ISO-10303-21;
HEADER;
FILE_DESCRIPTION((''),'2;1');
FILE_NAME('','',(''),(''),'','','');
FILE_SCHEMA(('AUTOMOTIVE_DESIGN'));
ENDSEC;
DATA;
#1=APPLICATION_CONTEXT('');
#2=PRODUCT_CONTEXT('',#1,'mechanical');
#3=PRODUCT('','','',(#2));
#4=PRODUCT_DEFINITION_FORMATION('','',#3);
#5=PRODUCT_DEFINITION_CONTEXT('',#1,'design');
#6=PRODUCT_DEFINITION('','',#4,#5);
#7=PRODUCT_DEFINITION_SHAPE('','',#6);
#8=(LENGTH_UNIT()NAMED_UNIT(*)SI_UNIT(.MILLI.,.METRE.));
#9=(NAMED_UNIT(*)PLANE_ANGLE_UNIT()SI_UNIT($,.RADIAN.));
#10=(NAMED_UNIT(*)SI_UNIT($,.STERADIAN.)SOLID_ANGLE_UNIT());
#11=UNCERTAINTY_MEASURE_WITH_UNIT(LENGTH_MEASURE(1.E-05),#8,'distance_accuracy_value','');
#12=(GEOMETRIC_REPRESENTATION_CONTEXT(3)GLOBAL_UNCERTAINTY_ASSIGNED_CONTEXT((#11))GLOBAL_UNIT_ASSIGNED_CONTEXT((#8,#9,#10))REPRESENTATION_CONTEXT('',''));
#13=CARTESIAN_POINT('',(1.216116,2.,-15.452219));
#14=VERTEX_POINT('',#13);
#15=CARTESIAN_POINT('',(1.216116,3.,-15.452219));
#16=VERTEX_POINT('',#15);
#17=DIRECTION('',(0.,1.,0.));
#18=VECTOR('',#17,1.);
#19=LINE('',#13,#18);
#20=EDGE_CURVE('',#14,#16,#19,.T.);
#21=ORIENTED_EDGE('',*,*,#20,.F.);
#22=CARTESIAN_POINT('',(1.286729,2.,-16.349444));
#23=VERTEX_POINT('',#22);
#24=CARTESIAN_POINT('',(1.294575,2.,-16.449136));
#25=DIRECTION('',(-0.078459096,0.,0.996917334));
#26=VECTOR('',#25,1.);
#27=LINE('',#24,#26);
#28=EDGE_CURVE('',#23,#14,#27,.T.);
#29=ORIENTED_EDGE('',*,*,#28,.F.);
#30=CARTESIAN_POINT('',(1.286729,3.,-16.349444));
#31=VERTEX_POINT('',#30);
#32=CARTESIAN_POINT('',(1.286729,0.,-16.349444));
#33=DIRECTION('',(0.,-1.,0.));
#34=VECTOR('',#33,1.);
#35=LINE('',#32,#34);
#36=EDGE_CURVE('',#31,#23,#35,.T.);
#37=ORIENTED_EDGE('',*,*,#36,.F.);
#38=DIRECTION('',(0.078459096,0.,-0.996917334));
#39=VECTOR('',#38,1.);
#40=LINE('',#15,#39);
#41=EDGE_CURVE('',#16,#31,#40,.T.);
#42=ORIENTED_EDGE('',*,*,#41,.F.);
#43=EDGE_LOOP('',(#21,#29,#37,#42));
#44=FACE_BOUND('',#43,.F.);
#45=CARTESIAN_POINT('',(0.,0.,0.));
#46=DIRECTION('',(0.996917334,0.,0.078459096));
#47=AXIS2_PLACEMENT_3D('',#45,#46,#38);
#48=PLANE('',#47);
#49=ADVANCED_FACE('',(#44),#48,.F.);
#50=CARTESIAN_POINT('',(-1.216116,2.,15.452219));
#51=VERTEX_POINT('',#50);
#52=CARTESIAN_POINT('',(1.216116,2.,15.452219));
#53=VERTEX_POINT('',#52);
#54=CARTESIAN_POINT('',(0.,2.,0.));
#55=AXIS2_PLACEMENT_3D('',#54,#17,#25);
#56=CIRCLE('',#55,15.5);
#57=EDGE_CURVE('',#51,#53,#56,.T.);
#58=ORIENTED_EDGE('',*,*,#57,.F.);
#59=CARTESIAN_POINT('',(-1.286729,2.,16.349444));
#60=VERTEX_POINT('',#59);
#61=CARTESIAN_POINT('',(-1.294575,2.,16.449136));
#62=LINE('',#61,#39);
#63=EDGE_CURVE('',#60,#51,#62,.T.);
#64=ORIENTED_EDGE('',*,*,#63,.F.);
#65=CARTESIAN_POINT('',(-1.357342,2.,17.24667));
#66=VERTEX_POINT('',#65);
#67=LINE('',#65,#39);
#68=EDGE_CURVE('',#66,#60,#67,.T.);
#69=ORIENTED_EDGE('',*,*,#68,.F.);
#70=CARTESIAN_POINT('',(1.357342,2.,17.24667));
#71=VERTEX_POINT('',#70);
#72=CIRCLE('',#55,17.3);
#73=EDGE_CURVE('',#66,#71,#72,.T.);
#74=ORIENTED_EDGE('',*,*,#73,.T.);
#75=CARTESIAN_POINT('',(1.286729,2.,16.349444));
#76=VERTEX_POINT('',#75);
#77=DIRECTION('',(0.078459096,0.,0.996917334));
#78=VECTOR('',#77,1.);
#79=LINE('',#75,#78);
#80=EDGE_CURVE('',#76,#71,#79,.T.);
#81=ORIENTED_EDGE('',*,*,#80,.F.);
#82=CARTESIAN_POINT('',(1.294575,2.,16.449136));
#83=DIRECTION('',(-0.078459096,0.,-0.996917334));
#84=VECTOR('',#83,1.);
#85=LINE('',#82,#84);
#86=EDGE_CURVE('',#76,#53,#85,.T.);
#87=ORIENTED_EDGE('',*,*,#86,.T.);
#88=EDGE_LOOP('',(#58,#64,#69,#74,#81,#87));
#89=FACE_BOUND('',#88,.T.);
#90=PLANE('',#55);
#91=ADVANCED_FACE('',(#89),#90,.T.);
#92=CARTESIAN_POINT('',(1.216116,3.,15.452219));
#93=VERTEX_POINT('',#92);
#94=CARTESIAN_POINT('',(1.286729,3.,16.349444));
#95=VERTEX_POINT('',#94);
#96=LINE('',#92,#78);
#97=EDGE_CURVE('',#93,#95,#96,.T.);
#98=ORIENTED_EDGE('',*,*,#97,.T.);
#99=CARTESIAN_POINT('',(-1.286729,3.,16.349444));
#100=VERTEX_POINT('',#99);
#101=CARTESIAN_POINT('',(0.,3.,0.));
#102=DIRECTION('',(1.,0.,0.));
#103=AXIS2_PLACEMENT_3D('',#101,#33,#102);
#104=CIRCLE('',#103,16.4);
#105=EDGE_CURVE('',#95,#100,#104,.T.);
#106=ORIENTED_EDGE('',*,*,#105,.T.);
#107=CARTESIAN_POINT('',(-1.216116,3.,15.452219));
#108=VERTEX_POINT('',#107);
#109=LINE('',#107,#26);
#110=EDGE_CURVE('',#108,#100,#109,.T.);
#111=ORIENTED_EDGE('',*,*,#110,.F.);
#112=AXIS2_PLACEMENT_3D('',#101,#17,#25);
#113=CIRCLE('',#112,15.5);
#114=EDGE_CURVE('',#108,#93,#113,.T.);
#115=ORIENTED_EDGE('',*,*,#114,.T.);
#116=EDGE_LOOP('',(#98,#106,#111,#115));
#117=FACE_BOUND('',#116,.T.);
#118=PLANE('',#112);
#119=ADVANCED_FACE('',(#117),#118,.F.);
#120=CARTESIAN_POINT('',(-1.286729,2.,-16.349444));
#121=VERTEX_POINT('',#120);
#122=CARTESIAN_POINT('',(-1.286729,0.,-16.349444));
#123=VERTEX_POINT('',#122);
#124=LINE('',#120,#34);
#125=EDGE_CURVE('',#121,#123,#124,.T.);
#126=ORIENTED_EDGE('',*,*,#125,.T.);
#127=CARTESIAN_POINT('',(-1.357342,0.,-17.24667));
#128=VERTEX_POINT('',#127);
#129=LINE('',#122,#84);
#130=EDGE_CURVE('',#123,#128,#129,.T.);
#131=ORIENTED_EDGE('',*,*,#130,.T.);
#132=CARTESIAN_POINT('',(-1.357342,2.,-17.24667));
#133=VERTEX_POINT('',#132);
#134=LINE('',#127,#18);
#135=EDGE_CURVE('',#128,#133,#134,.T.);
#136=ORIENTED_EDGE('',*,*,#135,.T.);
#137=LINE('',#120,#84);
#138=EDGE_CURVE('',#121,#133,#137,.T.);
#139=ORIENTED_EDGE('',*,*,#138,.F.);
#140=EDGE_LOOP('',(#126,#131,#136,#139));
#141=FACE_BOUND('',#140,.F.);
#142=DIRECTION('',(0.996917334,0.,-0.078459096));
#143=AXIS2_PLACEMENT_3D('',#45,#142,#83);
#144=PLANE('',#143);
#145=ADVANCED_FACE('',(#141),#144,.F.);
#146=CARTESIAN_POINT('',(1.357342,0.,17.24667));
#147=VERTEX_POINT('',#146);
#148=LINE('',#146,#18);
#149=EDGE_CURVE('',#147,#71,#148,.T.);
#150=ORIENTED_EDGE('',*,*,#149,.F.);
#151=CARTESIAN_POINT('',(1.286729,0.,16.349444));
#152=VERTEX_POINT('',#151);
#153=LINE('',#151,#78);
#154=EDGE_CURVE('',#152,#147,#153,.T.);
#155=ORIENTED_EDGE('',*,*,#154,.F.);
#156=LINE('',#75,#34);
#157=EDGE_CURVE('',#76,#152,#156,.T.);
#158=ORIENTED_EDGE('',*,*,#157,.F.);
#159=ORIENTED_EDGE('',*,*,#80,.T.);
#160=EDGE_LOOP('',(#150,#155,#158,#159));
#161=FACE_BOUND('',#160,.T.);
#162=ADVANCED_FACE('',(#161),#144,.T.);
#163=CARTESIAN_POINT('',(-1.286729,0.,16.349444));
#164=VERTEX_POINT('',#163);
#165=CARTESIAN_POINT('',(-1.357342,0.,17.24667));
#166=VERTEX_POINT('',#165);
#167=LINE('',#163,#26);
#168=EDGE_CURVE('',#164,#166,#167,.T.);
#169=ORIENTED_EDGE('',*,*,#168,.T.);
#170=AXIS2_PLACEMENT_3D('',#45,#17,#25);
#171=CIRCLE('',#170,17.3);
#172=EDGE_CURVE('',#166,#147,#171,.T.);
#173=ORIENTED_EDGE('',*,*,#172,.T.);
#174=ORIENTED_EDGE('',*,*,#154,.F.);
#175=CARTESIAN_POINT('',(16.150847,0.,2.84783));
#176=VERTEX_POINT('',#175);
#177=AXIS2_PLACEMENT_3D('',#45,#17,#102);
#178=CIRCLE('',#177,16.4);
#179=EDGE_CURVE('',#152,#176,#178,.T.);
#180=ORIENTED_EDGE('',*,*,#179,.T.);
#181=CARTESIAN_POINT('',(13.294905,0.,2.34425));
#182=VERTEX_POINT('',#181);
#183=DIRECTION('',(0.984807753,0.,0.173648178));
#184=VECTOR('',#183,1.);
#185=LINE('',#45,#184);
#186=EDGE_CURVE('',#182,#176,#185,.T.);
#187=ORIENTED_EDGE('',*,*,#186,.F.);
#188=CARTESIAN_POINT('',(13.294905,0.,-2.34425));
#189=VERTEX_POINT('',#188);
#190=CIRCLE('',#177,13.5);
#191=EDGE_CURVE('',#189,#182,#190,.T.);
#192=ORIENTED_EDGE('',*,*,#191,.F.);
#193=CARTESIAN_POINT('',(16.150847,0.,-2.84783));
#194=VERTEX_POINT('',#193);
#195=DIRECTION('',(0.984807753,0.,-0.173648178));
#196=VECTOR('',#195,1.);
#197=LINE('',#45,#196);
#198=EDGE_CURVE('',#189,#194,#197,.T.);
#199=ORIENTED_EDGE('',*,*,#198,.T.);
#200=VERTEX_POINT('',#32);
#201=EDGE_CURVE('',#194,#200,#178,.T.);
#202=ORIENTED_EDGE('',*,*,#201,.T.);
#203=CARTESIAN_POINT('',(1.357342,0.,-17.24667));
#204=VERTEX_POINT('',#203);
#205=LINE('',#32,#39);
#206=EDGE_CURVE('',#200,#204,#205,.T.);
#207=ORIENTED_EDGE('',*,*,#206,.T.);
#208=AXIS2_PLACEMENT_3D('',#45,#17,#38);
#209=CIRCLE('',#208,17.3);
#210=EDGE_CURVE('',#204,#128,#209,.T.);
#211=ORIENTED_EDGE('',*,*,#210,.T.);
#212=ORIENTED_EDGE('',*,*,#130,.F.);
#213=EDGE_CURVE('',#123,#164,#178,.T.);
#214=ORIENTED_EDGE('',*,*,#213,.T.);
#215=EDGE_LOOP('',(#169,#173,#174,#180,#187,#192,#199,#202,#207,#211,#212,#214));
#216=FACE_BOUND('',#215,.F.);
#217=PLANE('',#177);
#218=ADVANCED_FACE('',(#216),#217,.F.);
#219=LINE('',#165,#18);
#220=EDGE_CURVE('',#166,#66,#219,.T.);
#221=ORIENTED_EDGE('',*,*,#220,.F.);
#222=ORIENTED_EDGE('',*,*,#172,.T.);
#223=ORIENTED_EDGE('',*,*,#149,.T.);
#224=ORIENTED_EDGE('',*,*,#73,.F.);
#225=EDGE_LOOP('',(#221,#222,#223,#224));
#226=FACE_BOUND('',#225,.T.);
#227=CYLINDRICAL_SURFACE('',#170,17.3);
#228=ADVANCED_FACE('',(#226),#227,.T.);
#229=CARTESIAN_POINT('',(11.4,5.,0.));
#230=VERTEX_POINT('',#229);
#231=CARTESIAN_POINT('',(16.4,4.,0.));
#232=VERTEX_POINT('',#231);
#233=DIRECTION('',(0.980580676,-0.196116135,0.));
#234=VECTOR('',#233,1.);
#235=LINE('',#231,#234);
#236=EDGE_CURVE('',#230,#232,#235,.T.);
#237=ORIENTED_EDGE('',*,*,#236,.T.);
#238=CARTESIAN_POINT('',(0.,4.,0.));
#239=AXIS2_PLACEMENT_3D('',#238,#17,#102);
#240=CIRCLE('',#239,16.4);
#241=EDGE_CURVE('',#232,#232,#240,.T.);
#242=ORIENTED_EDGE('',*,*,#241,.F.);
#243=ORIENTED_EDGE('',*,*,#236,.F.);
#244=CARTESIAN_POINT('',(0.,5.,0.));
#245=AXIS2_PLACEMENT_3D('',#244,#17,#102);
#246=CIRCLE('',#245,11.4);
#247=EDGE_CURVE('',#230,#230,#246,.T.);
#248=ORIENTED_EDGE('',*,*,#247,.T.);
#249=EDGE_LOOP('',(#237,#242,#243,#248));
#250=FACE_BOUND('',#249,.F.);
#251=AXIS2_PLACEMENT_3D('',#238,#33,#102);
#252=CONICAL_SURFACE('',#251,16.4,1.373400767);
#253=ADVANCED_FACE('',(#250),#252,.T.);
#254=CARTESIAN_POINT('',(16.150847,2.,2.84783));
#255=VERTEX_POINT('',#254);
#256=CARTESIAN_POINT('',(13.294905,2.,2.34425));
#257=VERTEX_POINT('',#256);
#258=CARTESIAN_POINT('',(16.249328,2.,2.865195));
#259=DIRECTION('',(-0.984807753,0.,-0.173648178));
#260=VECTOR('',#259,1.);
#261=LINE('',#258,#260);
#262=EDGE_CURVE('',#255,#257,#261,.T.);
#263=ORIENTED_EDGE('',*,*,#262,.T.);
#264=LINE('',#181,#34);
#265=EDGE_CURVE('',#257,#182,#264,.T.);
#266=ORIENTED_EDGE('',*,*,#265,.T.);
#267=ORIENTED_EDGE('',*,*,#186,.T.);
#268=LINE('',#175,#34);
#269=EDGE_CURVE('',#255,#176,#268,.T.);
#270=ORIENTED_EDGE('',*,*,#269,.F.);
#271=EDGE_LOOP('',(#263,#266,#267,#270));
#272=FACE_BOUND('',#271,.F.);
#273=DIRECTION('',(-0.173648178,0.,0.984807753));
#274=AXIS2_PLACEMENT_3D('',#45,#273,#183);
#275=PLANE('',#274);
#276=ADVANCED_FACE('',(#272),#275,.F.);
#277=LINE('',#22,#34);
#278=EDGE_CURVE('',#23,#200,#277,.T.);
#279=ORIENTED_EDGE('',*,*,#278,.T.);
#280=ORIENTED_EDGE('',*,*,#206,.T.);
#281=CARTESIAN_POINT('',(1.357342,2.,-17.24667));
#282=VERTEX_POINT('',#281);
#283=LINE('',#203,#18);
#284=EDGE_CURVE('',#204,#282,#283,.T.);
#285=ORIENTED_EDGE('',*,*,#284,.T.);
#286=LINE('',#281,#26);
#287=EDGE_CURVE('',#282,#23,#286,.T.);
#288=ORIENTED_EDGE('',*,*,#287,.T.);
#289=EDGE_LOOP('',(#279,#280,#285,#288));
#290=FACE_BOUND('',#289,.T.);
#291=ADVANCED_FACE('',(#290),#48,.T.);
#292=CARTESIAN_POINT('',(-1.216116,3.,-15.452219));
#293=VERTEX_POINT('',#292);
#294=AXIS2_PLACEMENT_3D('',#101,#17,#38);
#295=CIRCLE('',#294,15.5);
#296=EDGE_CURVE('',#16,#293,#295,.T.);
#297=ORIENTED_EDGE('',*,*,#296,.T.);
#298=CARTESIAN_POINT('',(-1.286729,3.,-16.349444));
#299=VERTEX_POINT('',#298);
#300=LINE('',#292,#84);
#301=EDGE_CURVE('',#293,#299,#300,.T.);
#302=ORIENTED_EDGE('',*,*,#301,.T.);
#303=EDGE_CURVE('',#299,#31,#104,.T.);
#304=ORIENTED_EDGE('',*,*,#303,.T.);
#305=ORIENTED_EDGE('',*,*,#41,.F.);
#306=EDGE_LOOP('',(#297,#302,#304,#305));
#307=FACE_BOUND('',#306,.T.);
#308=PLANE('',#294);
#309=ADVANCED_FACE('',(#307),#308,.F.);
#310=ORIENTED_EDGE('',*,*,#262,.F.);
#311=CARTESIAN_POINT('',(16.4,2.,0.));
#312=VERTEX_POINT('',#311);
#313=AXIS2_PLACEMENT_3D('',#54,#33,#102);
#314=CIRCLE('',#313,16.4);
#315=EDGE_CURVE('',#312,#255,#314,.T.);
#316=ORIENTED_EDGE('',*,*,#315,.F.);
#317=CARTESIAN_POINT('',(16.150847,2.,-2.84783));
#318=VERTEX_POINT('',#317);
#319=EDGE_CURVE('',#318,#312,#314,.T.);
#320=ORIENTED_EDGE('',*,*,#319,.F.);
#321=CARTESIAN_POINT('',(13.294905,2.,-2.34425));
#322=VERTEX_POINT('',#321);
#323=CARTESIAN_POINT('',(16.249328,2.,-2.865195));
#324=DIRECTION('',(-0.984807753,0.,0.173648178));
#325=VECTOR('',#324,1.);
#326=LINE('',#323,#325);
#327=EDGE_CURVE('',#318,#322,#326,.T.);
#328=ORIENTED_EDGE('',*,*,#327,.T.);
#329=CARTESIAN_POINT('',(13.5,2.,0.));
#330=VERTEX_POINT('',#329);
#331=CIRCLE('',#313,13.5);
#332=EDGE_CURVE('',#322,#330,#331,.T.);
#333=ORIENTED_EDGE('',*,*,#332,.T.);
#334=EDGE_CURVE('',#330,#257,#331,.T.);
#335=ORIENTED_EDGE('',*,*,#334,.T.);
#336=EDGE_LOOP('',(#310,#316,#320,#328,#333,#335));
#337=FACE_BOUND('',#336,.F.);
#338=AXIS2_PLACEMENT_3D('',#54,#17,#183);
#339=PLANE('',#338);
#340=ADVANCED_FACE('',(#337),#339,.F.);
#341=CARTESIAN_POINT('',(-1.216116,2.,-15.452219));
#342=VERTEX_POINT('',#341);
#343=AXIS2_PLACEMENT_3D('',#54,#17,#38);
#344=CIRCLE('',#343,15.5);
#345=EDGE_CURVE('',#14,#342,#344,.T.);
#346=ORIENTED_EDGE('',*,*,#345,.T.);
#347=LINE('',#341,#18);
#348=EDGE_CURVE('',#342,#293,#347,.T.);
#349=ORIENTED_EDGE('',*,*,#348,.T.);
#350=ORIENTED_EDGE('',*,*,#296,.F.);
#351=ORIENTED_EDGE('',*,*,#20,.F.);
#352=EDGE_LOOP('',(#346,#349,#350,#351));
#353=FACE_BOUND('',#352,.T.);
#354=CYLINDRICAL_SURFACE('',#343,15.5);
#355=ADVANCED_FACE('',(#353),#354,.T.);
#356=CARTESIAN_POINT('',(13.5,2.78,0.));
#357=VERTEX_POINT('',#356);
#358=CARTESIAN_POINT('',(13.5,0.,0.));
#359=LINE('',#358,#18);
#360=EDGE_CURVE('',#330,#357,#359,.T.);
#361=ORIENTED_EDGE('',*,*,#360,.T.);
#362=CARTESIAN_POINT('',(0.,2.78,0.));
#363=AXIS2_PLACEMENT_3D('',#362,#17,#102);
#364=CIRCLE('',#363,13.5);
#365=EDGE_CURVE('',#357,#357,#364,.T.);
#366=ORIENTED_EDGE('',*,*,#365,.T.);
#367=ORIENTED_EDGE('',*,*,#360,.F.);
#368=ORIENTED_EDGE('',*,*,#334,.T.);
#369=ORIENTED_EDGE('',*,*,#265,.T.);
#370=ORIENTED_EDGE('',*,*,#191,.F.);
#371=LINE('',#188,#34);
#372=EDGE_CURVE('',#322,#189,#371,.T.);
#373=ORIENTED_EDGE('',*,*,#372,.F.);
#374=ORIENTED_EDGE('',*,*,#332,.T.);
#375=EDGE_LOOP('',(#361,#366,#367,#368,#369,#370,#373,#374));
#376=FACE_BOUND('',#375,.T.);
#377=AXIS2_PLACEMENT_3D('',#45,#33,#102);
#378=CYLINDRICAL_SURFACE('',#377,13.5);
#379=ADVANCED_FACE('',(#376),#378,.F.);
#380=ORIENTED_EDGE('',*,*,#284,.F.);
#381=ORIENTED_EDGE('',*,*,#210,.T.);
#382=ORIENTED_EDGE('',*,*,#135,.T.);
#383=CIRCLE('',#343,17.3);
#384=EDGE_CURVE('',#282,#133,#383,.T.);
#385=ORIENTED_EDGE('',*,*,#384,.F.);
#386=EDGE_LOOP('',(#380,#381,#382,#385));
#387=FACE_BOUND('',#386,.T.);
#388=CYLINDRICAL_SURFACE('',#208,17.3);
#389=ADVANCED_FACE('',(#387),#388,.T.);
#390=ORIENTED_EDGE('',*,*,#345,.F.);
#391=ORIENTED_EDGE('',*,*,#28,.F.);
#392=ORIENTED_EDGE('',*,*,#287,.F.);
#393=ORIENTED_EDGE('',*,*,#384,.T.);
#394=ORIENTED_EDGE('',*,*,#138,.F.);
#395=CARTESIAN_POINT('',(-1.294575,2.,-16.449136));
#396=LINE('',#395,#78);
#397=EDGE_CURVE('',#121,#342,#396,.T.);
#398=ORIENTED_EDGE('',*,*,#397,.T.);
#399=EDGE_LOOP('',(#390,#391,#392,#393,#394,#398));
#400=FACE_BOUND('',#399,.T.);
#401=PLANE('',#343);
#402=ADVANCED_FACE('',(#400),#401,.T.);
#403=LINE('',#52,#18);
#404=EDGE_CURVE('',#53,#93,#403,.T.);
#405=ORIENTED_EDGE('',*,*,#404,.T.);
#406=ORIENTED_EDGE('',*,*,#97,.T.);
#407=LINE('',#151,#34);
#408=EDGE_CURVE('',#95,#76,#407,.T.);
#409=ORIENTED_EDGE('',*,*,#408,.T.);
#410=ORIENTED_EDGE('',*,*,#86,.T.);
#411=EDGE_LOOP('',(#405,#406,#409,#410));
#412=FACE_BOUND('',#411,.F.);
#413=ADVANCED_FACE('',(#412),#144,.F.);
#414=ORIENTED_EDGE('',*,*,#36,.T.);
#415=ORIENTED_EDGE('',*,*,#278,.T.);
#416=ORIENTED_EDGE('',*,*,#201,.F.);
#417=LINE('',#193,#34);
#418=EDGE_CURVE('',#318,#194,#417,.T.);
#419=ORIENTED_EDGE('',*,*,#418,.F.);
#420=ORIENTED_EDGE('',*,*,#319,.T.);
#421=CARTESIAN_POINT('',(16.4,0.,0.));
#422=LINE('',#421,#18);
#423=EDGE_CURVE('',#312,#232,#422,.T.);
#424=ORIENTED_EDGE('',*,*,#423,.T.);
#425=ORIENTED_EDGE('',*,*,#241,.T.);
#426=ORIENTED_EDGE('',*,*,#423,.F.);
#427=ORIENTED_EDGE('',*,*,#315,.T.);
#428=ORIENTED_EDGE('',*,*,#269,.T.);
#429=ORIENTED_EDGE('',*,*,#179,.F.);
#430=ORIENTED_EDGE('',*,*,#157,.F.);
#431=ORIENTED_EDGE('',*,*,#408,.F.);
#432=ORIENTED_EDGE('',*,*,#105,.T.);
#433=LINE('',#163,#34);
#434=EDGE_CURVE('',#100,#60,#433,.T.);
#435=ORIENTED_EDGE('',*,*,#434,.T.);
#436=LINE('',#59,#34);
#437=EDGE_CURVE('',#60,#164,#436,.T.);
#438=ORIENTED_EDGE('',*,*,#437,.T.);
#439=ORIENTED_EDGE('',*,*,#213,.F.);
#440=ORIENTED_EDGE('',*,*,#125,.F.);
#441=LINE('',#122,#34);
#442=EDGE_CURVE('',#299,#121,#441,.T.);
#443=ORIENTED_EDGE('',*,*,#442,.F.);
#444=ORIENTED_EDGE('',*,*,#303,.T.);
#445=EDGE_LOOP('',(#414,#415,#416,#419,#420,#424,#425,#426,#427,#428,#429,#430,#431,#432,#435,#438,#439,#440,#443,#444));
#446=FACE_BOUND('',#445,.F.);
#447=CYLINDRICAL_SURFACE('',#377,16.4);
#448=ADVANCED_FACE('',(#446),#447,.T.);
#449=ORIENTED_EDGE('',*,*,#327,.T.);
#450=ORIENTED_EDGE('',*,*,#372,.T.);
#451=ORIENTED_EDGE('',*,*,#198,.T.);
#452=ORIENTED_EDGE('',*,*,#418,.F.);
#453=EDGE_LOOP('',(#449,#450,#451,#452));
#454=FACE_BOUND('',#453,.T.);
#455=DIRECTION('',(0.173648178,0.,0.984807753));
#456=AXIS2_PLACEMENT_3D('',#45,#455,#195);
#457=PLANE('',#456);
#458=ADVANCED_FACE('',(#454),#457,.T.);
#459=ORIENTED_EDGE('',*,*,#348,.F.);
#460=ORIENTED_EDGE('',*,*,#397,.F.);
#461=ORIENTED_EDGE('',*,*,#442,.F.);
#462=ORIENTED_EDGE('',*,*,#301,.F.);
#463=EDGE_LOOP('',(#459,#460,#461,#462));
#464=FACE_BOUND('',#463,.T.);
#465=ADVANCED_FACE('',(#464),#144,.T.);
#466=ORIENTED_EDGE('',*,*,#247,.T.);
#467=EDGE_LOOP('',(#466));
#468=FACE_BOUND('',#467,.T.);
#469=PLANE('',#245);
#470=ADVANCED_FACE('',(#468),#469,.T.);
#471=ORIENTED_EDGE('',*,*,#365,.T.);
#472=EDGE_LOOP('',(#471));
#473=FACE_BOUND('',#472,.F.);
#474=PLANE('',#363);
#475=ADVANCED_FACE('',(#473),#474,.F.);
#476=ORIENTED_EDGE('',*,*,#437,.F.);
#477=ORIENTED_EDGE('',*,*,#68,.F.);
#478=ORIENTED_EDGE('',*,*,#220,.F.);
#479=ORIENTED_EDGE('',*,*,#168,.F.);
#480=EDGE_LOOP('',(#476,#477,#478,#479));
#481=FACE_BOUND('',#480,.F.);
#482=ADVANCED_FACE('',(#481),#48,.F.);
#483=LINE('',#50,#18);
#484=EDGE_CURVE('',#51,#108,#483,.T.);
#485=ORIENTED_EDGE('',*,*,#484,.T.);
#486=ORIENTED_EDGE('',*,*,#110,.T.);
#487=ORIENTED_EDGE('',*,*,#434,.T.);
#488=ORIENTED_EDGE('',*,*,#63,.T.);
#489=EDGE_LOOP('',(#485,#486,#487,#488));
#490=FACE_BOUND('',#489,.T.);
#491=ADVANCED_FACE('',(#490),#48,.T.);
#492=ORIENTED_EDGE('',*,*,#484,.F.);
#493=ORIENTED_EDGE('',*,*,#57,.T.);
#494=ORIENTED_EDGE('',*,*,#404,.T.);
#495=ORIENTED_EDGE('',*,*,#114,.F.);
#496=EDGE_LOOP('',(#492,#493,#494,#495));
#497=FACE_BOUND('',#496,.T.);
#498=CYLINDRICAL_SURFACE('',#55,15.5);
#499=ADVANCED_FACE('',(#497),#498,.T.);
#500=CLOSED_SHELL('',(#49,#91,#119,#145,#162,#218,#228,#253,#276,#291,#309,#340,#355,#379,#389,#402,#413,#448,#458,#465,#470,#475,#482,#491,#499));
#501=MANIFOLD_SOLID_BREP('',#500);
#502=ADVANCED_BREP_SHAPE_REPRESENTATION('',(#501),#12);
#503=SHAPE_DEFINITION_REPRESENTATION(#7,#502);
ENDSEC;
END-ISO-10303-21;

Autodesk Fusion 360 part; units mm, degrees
sketch "Sketch1" plane through (0, 0, 0) normal (0, 1, 0) x (1, 0, 0)
  circle A0 centre (0, 0) radius 16.4
  dimension "d1" = 32.8
extrude "Extrude1" add sketch "Sketch1" along normal blind 5
chamfer "Chamfer1" distance 5 distance2 1 1 edges at (-15.2902, 5, 5.9305) measured on face at (3.2266, 5, -3.4774)
sketch "Sketch2" plane through (0, 0, 0) normal (1, 0, 0) x (0, 0, -1)
  line L0 (16.4, 0) -> (17.3, 0)
  line L1 (17.3, 0) -> (17.3, 2)
  line L2 (17.3, 2) -> (16.4, 2)
  line L3 (16.4, 2) -> (16.4, 0)
  line L4 (-16.4, 0) -> (-17.3, 0)
  line L5 (-17.3, 0) -> (-17.3, 2)
  line L6 (-17.3, 2) -> (-16.4, 2)
  line L7 (-16.4, 2) -> (-16.4, 0)
  dimension "d7" = 16.4
  dimension "d8" = 2
  dimension "d9" = 0.9
  dimension "d10" = 16.4
  dimension "d11" = 2
  dimension "d12" = 0.9
revolve "Revolve1" add sketch "Sketch2" angle 4.5 about axis through (0, 1.75, 0) along (0, 1, 0) second angle 4.5
sketch "Sketch3" plane through (0, 0, 0) normal (0, 1, 0) x (1, 0, 0)
  circle A0 centre (0, 0) radius 13.5
  dimension "d15" = 27
extrude "Extrude2" cut sketch "Sketch3" along normal blind 2.78
sketch "Sketch4" plane through (0, 0, 0) normal (0, 0, 1) x (1, 0, 0)
  line L0 (0, 0) -> (16.5, 0)
  line L1 (16.5, 0) -> (16.5, 2)
  line L2 (16.5, 2) -> (0, 2)
  line L3 (0, 2) -> (0, 0)
  dimension "d18" = 16.5
  dimension "d19" = 2
revolve "Revolve2" cut sketch "Sketch4" angle 10 about axis through (0, 1.75, 0) along (0, 1, 0) second angle 10
sketch "Sketch5" plane through (0, 0, 0) normal (1, 0, 0) x (0, 0, -1)
  line L0 (-16.5, 2) -> (-15.5, 2)
  line L1 (-15.5, 2) -> (-15.5, 3)
  line L2 (-15.5, 3) -> (-16.5, 3)
  line L3 (-16.5, 3) -> (-16.5, 2)
  line L4 (16.5, 0) -> (16.5, 2)
  line L5 (16.5, 2) -> (15.5, 2)
  line L6 (15.5, 2) -> (15.5, 3)
  line L7 (15.5, 3) -> (16.5, 3)
  line L8 (16.5, 3) -> (16.5, 2)
  dimension "d24" = 1
  dimension "d25" = 1
  dimension "d28" = 16.5
  dimension "d29" = 2
  dimension "d30" = 1
  dimension "d31" = 1
revolve "Revolve4" cut sketch "Sketch5" angle 4.5 about axis through (0, 1.75, 0) along (0, 1, 0) second angle 4.5 contours L5 L6 L7 L8
revolve "Revolve3" cut sketch "Sketch5" angle 4.5 about axis through (0, 1.75, 0) along (0, 1, 0) second angle 4.5 contours L0 L1 L2 L3
